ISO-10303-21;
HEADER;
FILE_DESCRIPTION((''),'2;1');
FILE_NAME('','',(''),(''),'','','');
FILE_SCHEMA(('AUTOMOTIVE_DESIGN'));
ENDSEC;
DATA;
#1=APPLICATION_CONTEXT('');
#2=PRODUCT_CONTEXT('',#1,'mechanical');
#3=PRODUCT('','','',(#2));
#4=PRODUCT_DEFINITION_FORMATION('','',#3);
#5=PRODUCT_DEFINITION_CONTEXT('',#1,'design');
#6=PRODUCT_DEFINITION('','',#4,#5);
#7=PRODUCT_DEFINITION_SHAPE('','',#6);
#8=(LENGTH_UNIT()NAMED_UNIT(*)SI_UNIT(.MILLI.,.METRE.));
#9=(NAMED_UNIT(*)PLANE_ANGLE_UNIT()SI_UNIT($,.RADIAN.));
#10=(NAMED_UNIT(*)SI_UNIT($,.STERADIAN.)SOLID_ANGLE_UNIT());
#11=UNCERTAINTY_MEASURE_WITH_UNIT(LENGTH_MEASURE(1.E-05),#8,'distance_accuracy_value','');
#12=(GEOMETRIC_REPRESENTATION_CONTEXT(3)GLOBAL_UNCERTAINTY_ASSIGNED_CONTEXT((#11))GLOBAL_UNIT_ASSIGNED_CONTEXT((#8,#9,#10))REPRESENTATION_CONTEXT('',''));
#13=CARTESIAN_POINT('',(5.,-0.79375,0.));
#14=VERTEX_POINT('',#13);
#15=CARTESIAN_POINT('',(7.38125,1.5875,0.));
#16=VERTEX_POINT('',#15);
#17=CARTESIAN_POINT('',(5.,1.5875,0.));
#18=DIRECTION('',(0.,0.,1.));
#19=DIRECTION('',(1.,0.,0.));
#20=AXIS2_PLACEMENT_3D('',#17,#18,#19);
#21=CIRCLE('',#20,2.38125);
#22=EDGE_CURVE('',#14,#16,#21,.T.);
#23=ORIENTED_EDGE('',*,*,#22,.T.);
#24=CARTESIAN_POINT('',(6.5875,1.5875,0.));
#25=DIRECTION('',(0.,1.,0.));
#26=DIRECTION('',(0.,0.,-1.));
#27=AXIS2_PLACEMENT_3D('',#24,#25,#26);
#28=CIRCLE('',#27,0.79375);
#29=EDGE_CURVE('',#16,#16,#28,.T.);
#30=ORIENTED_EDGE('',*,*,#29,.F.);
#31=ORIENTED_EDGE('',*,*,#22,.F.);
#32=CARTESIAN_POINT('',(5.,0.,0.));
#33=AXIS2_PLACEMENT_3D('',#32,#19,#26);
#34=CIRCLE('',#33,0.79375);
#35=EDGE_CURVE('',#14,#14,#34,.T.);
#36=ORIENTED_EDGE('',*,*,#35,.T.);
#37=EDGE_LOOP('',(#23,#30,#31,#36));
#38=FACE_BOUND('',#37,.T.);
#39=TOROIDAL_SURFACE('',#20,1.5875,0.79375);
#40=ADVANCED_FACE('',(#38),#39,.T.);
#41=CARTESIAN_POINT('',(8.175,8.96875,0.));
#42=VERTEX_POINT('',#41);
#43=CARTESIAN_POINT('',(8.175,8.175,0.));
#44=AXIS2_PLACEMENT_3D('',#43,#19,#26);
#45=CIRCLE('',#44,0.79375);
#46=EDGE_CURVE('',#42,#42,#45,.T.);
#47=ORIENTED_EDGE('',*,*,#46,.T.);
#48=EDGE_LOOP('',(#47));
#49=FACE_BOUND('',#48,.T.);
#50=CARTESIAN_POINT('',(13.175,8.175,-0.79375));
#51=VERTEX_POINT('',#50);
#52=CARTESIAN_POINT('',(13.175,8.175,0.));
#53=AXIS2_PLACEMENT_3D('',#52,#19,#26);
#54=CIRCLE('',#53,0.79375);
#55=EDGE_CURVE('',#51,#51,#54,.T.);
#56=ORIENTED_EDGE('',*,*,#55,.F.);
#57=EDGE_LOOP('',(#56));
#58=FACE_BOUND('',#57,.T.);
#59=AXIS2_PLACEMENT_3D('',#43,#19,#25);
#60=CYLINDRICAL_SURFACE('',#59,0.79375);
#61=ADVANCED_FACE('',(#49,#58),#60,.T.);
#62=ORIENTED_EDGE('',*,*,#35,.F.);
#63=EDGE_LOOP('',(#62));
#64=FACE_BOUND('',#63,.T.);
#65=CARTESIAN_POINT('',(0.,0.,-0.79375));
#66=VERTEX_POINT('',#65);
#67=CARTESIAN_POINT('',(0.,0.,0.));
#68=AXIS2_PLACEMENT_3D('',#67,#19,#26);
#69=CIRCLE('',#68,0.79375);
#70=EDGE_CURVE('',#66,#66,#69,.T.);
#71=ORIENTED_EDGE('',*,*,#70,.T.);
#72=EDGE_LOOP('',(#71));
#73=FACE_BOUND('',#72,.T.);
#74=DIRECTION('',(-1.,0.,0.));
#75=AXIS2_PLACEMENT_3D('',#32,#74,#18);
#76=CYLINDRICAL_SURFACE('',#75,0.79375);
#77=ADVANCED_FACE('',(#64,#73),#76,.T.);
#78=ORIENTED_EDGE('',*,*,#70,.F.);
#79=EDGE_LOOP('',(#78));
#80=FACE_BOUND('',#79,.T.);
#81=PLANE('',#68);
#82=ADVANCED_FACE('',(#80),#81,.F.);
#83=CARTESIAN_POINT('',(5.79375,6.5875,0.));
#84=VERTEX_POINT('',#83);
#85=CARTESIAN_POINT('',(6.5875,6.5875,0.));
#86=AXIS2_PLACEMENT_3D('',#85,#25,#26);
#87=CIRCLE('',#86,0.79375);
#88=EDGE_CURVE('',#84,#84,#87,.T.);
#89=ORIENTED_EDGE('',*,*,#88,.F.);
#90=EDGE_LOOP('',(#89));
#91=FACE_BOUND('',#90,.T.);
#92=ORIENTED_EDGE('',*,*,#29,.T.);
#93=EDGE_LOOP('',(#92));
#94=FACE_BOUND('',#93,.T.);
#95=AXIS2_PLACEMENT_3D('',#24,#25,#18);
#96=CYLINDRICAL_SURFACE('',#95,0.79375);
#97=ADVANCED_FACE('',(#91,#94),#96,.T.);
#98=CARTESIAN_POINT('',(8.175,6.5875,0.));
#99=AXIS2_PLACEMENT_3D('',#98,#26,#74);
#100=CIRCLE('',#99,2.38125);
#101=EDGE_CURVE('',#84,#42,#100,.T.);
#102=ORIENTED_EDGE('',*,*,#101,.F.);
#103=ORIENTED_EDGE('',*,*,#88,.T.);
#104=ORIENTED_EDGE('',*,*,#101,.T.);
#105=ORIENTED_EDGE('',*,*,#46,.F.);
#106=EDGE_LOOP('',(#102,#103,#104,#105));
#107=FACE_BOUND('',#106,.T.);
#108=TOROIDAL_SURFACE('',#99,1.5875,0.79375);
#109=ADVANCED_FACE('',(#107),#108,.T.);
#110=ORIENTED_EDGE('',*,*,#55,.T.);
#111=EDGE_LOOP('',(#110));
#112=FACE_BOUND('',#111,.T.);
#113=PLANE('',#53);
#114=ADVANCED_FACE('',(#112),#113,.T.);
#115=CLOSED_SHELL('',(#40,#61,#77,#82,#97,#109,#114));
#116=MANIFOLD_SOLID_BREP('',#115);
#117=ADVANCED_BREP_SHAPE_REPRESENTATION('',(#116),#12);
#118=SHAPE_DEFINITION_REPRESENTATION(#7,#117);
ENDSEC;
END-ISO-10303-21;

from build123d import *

# Parameters (mm, degrees)
SKETCH2_R = 0.79375


with BuildPart() as part:
    # Sweep1: sweep along a path in Sketch1
    with BuildLine(Plane.XY) as sweep1_path:
        Line((0, 0), (5, 0))
        ThreePointArc((5, 0), (6.122532015, 0.464967985), (6.5875, 1.5875))
        Line((6.5875, 1.5875), (6.5875, 6.5875))
        ThreePointArc((6.5875, 6.5875), (7.052467985, 7.710032015), (8.175, 8.175))
        Line((8.175, 8.175), (13.175, 8.175))
    # Sketch2 → Sweep1 (sweep)
    with BuildSketch(Plane(origin=(0, 0, 0), x_dir=(0, 0, -1), z_dir=(1, 0, 0))):
        Circle(SKETCH2_R)
    sweep(path=sweep1_path.line)


solid = part.part
